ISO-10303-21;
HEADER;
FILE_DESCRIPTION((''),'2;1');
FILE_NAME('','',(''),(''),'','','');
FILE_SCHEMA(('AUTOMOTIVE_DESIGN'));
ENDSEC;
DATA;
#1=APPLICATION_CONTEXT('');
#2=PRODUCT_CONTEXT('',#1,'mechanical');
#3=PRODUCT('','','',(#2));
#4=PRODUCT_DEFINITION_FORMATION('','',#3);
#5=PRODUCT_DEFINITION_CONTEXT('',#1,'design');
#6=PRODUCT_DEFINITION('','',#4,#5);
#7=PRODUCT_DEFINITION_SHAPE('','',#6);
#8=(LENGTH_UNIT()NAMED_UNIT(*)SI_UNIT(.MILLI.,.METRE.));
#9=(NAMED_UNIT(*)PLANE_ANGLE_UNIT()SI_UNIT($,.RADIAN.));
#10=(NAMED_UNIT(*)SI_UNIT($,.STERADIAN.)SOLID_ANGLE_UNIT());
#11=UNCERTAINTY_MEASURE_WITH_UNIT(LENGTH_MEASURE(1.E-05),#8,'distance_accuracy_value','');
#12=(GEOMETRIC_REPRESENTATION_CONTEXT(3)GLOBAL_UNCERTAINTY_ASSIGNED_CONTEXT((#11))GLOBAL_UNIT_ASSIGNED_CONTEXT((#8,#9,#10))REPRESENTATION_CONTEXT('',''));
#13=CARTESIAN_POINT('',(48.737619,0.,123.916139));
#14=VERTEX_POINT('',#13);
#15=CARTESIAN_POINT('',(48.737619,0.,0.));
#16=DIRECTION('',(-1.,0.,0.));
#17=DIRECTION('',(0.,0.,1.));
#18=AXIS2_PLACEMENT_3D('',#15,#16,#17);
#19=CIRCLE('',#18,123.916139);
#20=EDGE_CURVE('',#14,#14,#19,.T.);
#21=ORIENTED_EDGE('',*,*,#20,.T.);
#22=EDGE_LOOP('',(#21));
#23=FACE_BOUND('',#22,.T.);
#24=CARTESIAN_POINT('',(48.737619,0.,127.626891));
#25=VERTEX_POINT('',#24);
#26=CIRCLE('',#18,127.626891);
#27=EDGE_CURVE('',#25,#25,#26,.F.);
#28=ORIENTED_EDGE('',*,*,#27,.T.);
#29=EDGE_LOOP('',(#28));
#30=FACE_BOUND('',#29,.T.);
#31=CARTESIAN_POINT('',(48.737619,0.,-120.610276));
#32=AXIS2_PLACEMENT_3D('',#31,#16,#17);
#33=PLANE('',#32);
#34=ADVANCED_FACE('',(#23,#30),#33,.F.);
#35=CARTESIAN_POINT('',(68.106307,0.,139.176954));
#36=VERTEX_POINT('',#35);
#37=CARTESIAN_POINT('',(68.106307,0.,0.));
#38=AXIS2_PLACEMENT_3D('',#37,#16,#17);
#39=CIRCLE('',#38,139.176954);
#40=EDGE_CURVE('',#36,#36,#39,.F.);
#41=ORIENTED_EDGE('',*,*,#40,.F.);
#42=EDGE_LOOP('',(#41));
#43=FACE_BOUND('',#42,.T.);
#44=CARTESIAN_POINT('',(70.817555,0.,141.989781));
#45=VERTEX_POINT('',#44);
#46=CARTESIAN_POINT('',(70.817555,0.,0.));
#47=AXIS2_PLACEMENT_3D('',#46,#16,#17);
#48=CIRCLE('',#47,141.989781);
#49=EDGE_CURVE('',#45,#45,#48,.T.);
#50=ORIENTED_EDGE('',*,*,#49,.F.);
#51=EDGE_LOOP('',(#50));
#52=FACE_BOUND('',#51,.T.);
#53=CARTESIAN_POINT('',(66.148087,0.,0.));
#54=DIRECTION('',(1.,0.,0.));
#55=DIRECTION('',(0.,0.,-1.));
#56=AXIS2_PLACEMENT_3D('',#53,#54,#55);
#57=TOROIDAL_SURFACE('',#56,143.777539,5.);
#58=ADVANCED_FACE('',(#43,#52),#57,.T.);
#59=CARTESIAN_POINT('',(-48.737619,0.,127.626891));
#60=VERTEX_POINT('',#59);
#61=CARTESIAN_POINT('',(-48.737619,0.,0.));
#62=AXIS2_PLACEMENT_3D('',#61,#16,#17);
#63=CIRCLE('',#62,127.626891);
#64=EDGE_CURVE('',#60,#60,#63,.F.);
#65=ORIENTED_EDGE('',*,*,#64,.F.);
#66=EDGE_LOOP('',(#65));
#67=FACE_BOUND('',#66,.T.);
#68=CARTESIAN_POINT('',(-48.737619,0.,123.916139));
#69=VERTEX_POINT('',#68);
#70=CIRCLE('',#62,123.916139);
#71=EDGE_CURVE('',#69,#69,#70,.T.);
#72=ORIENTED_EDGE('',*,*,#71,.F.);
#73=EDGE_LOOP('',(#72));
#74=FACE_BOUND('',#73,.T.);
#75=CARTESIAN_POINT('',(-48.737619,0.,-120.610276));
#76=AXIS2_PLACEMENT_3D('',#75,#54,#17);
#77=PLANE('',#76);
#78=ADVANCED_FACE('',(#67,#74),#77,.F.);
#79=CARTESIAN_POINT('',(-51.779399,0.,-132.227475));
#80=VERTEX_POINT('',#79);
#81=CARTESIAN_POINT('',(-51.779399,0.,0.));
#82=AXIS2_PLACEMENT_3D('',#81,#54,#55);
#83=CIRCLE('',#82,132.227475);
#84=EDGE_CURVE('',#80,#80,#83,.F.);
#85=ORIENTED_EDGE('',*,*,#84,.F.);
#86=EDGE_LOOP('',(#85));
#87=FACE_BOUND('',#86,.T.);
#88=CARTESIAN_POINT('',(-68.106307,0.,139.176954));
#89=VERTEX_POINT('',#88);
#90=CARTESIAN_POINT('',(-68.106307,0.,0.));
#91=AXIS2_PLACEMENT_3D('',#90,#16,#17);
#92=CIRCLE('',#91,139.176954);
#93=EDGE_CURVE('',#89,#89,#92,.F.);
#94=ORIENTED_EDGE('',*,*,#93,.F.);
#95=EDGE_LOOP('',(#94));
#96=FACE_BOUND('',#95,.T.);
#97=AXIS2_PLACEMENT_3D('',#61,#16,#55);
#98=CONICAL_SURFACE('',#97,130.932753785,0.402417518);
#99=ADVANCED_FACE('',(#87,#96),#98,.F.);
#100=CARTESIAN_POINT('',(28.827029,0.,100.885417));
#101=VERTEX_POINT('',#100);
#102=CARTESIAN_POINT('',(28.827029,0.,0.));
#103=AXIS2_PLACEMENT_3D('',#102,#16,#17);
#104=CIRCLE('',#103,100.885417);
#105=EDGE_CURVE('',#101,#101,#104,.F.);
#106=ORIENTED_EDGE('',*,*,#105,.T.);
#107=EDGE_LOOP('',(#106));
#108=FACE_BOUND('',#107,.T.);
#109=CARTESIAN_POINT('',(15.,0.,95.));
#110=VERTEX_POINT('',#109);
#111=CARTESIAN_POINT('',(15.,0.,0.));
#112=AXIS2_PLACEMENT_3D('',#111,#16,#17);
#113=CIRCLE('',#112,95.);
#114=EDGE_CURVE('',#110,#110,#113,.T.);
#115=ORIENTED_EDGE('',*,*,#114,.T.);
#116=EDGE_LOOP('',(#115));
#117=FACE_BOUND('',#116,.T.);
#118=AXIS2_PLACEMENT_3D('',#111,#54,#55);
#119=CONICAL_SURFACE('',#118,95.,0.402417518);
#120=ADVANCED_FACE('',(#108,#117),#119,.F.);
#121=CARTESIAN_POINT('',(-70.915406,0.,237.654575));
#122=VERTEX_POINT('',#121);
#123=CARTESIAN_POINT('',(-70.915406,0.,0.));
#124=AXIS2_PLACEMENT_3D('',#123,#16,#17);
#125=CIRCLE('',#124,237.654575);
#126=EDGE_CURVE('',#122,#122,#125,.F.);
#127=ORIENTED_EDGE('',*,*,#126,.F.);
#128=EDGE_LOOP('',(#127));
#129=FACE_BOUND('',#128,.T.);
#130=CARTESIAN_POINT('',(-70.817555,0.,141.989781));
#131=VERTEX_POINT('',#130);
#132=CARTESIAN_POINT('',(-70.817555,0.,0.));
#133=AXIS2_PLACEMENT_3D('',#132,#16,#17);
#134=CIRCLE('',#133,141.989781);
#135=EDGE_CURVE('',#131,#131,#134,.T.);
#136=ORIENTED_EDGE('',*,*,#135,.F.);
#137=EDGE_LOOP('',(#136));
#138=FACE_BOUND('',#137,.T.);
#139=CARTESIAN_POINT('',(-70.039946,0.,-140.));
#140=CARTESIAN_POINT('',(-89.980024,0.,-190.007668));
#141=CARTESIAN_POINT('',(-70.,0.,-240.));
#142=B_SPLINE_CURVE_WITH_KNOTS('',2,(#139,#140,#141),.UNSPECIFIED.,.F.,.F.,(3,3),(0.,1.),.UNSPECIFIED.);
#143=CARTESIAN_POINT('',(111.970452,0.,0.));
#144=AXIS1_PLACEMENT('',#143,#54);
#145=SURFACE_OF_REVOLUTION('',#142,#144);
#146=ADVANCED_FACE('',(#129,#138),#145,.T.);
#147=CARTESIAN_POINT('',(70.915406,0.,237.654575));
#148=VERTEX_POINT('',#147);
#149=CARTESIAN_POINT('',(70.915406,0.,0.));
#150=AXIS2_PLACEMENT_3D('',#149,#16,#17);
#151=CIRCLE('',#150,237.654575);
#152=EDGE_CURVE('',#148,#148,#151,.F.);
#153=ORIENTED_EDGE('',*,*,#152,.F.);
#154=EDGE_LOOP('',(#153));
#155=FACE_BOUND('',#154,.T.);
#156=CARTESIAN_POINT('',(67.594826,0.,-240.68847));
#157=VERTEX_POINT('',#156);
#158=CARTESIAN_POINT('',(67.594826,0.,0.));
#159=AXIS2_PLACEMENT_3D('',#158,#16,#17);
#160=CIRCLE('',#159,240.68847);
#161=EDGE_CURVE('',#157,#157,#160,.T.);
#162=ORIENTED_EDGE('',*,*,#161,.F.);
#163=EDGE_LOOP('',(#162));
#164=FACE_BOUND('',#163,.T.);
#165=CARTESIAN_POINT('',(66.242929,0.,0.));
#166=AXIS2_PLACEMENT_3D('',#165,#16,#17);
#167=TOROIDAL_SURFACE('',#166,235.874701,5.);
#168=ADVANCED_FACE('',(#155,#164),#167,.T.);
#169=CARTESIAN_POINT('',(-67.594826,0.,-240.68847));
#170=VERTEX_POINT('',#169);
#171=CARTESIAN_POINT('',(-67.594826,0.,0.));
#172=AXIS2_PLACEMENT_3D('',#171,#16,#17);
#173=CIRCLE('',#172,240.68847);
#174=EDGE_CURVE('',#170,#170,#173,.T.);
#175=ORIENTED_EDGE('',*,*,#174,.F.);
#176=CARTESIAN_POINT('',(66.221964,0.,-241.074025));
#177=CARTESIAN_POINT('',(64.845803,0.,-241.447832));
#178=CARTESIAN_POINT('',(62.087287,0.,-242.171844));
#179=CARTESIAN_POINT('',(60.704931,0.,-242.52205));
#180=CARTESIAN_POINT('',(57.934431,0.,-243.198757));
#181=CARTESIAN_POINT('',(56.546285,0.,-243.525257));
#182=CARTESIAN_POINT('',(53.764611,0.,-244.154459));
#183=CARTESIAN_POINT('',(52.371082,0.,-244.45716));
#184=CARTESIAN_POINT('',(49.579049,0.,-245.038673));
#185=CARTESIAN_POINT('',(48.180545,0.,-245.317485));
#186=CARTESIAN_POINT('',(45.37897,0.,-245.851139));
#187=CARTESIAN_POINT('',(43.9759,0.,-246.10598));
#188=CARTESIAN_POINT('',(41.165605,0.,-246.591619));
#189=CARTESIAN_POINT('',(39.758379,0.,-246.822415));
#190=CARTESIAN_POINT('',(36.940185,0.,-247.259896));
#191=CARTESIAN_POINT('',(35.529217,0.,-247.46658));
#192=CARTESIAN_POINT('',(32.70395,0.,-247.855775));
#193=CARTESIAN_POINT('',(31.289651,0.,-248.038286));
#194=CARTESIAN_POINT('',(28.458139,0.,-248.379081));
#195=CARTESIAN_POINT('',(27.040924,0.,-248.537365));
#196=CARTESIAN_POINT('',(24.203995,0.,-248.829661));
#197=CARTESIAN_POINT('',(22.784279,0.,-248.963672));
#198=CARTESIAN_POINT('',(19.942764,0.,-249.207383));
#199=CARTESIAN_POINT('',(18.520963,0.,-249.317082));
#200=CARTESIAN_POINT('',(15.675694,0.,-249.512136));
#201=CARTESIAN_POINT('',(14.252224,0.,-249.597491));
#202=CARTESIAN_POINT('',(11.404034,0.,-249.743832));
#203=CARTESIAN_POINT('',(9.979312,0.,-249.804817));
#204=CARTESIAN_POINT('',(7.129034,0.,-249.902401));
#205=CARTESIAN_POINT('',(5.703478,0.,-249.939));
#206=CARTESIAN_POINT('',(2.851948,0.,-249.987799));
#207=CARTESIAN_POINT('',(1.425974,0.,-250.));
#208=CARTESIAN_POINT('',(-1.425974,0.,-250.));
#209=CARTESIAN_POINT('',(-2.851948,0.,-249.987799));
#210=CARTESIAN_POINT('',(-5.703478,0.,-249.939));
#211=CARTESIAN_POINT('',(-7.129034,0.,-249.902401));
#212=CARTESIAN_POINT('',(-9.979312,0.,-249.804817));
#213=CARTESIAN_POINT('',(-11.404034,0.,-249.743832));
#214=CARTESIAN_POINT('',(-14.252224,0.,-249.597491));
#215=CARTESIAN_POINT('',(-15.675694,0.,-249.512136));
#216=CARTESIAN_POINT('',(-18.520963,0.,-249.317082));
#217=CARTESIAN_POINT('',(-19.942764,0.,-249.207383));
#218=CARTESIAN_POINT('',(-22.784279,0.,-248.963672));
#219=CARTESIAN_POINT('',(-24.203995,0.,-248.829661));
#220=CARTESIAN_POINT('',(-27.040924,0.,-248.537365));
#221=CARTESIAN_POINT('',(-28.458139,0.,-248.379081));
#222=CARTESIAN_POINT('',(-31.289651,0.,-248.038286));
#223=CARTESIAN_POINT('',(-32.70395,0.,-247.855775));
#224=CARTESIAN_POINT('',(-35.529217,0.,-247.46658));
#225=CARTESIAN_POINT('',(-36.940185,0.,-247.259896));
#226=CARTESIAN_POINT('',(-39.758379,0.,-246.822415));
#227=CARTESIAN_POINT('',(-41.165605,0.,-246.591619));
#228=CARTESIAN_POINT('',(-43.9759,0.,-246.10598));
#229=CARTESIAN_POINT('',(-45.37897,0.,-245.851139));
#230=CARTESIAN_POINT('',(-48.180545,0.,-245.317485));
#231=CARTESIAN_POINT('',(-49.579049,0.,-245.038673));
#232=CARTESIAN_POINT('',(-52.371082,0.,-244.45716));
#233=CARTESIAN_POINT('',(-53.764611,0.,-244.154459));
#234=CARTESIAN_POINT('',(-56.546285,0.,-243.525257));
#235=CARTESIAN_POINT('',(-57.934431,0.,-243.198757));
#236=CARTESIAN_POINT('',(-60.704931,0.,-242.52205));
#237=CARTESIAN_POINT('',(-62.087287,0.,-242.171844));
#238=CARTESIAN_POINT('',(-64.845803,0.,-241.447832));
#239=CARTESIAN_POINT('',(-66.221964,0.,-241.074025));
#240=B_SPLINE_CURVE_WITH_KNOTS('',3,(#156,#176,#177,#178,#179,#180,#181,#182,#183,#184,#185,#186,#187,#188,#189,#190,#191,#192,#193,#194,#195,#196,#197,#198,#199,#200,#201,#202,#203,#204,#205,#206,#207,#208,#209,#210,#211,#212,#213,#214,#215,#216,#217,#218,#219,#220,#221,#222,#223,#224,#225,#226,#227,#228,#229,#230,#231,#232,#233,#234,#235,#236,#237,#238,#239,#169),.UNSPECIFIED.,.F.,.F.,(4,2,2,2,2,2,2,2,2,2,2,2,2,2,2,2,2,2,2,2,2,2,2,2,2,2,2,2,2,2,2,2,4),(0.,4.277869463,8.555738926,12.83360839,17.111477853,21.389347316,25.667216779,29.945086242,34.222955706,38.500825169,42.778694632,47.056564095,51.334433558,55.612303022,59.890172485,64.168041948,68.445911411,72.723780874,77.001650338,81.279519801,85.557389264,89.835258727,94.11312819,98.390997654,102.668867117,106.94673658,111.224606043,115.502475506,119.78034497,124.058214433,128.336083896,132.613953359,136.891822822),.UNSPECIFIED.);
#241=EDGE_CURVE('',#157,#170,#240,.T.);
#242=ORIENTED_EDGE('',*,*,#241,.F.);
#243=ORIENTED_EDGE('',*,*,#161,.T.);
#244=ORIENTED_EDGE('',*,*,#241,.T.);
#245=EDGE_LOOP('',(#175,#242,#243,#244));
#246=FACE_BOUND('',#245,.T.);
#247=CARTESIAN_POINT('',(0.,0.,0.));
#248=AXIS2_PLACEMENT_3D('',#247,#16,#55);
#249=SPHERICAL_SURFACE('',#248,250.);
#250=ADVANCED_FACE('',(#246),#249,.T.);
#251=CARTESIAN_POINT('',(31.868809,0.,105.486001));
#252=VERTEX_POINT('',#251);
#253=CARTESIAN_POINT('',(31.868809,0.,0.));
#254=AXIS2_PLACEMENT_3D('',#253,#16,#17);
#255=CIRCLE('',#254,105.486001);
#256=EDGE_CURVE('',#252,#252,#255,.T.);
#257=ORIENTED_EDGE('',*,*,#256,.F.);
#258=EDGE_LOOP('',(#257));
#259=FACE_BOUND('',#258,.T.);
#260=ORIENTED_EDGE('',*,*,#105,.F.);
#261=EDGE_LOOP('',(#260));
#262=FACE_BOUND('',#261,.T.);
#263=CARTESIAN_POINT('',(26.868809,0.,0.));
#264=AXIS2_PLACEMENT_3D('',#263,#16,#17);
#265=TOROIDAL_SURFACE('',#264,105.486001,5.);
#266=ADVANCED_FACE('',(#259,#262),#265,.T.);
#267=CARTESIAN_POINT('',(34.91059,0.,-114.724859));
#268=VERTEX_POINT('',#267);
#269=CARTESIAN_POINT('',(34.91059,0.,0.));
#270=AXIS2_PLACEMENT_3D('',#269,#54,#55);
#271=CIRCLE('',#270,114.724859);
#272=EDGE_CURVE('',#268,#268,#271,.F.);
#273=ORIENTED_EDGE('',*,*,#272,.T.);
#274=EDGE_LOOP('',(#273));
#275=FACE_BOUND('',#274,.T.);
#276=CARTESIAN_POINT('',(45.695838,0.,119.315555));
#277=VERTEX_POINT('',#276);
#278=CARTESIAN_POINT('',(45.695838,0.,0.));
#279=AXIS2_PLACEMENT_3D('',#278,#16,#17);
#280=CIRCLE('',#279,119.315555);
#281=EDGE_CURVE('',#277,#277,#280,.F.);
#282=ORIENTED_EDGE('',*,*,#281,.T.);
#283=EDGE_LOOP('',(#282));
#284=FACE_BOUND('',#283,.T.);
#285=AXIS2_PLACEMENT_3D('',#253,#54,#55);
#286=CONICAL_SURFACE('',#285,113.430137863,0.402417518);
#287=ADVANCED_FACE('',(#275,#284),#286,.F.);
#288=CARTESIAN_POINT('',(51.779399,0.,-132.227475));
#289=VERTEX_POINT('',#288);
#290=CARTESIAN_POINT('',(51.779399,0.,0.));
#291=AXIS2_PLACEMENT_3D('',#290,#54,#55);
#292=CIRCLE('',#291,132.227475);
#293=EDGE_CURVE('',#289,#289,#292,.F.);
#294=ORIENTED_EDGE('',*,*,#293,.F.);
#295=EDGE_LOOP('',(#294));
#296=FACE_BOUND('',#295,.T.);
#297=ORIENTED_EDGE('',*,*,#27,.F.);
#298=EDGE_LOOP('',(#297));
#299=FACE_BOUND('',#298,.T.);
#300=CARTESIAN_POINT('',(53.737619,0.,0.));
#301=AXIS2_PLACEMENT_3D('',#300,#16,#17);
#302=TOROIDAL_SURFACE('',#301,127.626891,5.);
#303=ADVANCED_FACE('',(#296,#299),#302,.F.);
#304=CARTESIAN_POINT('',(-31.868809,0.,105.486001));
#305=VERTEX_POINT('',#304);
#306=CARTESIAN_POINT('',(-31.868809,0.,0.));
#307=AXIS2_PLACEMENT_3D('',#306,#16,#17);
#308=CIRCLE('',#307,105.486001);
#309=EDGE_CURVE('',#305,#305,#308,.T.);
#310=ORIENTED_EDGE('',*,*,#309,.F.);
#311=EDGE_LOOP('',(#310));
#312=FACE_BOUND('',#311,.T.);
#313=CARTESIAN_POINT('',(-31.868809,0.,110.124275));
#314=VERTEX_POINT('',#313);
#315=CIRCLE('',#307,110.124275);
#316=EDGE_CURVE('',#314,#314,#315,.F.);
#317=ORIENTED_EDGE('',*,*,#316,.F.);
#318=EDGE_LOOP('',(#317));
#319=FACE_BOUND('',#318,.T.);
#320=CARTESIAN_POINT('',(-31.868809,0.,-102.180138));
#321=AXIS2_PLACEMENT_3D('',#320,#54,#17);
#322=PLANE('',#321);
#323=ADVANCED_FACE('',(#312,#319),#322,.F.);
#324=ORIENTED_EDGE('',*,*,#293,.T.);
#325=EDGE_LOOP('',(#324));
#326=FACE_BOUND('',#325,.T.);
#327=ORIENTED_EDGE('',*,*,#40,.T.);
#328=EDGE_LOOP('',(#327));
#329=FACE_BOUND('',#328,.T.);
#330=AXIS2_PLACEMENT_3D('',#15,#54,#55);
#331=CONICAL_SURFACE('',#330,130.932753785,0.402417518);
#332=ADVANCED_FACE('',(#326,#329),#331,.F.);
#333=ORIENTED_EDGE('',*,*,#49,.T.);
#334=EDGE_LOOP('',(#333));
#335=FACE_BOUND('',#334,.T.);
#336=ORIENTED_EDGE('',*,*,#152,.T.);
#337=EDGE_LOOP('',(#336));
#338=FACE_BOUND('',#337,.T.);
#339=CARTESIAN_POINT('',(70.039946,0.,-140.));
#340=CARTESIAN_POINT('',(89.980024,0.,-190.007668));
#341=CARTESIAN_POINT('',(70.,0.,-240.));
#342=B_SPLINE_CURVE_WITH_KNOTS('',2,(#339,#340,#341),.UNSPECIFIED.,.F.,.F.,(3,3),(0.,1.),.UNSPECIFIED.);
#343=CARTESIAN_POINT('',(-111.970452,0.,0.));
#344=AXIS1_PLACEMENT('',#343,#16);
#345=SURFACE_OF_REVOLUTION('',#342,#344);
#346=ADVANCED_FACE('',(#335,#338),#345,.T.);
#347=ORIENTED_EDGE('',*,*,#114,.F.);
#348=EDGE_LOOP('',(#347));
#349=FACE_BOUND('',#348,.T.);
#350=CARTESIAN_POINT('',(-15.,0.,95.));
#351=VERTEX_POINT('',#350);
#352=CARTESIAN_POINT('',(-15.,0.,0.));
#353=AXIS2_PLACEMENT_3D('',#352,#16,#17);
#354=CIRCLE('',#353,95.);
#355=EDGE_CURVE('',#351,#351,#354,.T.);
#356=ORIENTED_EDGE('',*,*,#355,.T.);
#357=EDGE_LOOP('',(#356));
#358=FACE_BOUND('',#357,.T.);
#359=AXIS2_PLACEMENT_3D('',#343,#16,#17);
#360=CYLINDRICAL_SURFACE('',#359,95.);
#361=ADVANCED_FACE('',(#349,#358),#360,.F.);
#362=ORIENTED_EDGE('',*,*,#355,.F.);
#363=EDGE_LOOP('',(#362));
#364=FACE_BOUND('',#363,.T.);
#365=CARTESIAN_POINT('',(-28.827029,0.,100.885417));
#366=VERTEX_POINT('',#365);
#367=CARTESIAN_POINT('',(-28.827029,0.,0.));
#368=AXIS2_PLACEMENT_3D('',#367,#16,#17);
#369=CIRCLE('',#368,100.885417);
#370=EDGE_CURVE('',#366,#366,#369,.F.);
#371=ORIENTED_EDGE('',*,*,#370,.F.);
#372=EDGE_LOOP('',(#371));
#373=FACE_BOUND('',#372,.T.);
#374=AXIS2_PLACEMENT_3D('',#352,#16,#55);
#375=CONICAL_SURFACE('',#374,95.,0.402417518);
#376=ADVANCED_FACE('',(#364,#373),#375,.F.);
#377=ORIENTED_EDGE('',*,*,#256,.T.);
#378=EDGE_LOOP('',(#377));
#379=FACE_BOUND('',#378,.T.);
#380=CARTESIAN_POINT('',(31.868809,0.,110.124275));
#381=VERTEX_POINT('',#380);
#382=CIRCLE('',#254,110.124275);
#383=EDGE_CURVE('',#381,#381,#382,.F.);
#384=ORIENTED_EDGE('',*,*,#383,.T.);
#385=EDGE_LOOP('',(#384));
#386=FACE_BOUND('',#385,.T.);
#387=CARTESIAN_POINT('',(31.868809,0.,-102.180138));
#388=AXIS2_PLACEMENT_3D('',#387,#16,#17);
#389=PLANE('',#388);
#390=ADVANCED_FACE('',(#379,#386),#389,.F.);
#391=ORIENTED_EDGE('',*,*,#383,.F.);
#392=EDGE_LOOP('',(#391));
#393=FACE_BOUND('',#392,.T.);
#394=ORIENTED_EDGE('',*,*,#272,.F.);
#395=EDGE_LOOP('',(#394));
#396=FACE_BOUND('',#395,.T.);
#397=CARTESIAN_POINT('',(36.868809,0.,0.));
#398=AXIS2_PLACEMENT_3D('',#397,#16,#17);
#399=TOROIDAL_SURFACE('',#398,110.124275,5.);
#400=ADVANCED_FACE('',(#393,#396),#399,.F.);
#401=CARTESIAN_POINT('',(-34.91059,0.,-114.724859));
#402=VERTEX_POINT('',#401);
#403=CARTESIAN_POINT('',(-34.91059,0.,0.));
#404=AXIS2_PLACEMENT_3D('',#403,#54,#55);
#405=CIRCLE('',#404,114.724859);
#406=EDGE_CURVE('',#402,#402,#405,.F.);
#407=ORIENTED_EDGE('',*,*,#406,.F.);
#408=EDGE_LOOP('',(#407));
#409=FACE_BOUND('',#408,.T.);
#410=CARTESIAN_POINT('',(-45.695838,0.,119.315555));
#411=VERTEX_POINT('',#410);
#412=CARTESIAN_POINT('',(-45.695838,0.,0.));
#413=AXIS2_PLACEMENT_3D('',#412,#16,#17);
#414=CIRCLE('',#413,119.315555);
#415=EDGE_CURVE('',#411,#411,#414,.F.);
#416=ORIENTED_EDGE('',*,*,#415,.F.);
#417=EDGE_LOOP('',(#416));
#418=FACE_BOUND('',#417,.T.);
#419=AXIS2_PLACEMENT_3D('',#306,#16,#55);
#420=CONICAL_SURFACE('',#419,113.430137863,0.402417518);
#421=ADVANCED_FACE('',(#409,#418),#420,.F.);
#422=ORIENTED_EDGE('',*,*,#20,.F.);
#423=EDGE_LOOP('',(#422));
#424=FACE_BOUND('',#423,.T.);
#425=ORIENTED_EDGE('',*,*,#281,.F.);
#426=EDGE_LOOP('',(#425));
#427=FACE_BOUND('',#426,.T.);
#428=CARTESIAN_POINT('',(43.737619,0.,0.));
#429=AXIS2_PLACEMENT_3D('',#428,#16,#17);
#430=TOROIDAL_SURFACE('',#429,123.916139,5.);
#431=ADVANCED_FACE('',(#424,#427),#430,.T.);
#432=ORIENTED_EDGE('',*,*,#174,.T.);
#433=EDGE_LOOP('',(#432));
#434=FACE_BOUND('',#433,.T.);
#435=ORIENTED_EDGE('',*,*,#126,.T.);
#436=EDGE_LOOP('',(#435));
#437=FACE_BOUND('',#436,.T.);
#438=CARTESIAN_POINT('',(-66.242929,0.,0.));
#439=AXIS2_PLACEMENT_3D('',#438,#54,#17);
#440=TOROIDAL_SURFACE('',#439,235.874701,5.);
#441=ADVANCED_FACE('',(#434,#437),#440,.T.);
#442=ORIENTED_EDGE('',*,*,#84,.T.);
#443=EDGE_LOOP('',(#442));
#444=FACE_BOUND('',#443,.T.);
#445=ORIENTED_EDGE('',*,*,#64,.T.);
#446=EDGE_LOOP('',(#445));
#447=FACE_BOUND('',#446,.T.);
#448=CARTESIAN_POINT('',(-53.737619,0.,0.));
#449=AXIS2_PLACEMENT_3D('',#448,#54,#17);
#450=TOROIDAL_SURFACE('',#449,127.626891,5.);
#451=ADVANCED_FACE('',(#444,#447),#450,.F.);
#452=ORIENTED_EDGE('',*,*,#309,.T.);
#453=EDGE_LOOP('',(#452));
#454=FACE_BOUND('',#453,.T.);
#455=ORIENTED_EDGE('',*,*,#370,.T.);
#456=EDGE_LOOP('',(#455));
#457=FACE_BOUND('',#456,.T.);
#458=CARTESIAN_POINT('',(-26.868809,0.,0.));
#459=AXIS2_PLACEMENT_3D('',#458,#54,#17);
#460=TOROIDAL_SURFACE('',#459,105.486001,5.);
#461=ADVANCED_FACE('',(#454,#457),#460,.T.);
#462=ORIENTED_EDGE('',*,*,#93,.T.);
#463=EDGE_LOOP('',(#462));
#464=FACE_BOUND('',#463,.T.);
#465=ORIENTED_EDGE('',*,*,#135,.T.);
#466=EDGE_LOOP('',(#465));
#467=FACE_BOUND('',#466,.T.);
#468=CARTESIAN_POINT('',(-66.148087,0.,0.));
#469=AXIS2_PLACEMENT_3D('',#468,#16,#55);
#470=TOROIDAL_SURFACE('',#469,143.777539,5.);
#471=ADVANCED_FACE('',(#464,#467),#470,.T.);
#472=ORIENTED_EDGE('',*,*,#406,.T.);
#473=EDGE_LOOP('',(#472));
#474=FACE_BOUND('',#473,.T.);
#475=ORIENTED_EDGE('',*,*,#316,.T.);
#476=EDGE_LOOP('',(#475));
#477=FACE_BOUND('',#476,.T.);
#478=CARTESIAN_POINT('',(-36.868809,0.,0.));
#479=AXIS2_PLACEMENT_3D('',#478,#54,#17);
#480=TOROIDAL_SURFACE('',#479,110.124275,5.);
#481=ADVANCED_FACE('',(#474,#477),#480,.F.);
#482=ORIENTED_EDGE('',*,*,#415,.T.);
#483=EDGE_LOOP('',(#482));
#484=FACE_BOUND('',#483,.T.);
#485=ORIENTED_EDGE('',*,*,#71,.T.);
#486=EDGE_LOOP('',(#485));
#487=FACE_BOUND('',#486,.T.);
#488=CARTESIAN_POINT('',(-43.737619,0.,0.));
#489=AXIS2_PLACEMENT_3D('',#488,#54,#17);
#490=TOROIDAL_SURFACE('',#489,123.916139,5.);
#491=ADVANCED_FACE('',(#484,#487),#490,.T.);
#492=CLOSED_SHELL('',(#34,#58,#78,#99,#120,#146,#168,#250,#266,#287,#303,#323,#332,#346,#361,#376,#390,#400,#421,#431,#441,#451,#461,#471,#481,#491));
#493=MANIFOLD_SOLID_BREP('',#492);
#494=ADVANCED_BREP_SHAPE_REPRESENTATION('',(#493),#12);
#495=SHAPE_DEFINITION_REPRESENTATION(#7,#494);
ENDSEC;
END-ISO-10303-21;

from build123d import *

# Parameters (mm, degrees)
REDONDEO1_R = 5
REDONDEO2_R = 5


with BuildPart() as part:
    # Croquis1 → Revolución1 (revolve)
    with BuildSketch(Plane(origin=(0, 0, 0), x_dir=(1, 0, 0), z_dir=(0, 1, 0))):
        with BuildLine():
            Line((0, 250), (0, 95))
            Line((0, 95), (15, 95))
            Line((15, 95), (31.868809424, 102.180137863))
            Line((31.868809424, 102.180137863), (31.868809424, 113.430137863))
            Line((31.868809424, 113.430137863), (48.737618848, 120.610275725))
            Line((48.737618848, 120.610275725), (48.737618848, 130.932753785))
            Line((48.737618848, 130.932753785), (70.03994637, 140))
            add(Edge.make_bspline(
                [(70, 240), (89.98002387, 190.007667827), (70.03994637, 140)],
                knots=[0, 0, 0, 1, 1, 1], degree=2))
            ThreePointArc((70, 240), (35.355339059, 247.487373415), (0, 250))
        make_face()
    revolve(axis=Axis((-111.970451678, 0, 0), (1, 0, 0)))

    # Redondeo1
    redondeo1_edges = [part.edges().sort_by_distance(p)[0] for p in [
        (31.868809424, 0, 102.180137863),
        (48.737618848, 0, 120.610275725),
        (70.03994637, 0, 140),
        (70, 0, 240),
    ]]
    fillet(redondeo1_edges, radius=REDONDEO1_R)

    # Redondeo2
    redondeo2_edges = [part.edges().sort_by_distance(p)[0] for p in [
        (31.868809424, 0, 113.430137863),
        (48.737618848, 0, 130.932753785),
    ]]
    fillet(redondeo2_edges, radius=REDONDEO2_R)

    # Simetría1: part across plane


with BuildPart() as part_1:
    add(part.part)
    add(part.part.mirror(Plane(origin=(0, 0, -250), x_dir=(0, 0, 1), z_dir=(1, 0, 0))))


solid = part_1.part
